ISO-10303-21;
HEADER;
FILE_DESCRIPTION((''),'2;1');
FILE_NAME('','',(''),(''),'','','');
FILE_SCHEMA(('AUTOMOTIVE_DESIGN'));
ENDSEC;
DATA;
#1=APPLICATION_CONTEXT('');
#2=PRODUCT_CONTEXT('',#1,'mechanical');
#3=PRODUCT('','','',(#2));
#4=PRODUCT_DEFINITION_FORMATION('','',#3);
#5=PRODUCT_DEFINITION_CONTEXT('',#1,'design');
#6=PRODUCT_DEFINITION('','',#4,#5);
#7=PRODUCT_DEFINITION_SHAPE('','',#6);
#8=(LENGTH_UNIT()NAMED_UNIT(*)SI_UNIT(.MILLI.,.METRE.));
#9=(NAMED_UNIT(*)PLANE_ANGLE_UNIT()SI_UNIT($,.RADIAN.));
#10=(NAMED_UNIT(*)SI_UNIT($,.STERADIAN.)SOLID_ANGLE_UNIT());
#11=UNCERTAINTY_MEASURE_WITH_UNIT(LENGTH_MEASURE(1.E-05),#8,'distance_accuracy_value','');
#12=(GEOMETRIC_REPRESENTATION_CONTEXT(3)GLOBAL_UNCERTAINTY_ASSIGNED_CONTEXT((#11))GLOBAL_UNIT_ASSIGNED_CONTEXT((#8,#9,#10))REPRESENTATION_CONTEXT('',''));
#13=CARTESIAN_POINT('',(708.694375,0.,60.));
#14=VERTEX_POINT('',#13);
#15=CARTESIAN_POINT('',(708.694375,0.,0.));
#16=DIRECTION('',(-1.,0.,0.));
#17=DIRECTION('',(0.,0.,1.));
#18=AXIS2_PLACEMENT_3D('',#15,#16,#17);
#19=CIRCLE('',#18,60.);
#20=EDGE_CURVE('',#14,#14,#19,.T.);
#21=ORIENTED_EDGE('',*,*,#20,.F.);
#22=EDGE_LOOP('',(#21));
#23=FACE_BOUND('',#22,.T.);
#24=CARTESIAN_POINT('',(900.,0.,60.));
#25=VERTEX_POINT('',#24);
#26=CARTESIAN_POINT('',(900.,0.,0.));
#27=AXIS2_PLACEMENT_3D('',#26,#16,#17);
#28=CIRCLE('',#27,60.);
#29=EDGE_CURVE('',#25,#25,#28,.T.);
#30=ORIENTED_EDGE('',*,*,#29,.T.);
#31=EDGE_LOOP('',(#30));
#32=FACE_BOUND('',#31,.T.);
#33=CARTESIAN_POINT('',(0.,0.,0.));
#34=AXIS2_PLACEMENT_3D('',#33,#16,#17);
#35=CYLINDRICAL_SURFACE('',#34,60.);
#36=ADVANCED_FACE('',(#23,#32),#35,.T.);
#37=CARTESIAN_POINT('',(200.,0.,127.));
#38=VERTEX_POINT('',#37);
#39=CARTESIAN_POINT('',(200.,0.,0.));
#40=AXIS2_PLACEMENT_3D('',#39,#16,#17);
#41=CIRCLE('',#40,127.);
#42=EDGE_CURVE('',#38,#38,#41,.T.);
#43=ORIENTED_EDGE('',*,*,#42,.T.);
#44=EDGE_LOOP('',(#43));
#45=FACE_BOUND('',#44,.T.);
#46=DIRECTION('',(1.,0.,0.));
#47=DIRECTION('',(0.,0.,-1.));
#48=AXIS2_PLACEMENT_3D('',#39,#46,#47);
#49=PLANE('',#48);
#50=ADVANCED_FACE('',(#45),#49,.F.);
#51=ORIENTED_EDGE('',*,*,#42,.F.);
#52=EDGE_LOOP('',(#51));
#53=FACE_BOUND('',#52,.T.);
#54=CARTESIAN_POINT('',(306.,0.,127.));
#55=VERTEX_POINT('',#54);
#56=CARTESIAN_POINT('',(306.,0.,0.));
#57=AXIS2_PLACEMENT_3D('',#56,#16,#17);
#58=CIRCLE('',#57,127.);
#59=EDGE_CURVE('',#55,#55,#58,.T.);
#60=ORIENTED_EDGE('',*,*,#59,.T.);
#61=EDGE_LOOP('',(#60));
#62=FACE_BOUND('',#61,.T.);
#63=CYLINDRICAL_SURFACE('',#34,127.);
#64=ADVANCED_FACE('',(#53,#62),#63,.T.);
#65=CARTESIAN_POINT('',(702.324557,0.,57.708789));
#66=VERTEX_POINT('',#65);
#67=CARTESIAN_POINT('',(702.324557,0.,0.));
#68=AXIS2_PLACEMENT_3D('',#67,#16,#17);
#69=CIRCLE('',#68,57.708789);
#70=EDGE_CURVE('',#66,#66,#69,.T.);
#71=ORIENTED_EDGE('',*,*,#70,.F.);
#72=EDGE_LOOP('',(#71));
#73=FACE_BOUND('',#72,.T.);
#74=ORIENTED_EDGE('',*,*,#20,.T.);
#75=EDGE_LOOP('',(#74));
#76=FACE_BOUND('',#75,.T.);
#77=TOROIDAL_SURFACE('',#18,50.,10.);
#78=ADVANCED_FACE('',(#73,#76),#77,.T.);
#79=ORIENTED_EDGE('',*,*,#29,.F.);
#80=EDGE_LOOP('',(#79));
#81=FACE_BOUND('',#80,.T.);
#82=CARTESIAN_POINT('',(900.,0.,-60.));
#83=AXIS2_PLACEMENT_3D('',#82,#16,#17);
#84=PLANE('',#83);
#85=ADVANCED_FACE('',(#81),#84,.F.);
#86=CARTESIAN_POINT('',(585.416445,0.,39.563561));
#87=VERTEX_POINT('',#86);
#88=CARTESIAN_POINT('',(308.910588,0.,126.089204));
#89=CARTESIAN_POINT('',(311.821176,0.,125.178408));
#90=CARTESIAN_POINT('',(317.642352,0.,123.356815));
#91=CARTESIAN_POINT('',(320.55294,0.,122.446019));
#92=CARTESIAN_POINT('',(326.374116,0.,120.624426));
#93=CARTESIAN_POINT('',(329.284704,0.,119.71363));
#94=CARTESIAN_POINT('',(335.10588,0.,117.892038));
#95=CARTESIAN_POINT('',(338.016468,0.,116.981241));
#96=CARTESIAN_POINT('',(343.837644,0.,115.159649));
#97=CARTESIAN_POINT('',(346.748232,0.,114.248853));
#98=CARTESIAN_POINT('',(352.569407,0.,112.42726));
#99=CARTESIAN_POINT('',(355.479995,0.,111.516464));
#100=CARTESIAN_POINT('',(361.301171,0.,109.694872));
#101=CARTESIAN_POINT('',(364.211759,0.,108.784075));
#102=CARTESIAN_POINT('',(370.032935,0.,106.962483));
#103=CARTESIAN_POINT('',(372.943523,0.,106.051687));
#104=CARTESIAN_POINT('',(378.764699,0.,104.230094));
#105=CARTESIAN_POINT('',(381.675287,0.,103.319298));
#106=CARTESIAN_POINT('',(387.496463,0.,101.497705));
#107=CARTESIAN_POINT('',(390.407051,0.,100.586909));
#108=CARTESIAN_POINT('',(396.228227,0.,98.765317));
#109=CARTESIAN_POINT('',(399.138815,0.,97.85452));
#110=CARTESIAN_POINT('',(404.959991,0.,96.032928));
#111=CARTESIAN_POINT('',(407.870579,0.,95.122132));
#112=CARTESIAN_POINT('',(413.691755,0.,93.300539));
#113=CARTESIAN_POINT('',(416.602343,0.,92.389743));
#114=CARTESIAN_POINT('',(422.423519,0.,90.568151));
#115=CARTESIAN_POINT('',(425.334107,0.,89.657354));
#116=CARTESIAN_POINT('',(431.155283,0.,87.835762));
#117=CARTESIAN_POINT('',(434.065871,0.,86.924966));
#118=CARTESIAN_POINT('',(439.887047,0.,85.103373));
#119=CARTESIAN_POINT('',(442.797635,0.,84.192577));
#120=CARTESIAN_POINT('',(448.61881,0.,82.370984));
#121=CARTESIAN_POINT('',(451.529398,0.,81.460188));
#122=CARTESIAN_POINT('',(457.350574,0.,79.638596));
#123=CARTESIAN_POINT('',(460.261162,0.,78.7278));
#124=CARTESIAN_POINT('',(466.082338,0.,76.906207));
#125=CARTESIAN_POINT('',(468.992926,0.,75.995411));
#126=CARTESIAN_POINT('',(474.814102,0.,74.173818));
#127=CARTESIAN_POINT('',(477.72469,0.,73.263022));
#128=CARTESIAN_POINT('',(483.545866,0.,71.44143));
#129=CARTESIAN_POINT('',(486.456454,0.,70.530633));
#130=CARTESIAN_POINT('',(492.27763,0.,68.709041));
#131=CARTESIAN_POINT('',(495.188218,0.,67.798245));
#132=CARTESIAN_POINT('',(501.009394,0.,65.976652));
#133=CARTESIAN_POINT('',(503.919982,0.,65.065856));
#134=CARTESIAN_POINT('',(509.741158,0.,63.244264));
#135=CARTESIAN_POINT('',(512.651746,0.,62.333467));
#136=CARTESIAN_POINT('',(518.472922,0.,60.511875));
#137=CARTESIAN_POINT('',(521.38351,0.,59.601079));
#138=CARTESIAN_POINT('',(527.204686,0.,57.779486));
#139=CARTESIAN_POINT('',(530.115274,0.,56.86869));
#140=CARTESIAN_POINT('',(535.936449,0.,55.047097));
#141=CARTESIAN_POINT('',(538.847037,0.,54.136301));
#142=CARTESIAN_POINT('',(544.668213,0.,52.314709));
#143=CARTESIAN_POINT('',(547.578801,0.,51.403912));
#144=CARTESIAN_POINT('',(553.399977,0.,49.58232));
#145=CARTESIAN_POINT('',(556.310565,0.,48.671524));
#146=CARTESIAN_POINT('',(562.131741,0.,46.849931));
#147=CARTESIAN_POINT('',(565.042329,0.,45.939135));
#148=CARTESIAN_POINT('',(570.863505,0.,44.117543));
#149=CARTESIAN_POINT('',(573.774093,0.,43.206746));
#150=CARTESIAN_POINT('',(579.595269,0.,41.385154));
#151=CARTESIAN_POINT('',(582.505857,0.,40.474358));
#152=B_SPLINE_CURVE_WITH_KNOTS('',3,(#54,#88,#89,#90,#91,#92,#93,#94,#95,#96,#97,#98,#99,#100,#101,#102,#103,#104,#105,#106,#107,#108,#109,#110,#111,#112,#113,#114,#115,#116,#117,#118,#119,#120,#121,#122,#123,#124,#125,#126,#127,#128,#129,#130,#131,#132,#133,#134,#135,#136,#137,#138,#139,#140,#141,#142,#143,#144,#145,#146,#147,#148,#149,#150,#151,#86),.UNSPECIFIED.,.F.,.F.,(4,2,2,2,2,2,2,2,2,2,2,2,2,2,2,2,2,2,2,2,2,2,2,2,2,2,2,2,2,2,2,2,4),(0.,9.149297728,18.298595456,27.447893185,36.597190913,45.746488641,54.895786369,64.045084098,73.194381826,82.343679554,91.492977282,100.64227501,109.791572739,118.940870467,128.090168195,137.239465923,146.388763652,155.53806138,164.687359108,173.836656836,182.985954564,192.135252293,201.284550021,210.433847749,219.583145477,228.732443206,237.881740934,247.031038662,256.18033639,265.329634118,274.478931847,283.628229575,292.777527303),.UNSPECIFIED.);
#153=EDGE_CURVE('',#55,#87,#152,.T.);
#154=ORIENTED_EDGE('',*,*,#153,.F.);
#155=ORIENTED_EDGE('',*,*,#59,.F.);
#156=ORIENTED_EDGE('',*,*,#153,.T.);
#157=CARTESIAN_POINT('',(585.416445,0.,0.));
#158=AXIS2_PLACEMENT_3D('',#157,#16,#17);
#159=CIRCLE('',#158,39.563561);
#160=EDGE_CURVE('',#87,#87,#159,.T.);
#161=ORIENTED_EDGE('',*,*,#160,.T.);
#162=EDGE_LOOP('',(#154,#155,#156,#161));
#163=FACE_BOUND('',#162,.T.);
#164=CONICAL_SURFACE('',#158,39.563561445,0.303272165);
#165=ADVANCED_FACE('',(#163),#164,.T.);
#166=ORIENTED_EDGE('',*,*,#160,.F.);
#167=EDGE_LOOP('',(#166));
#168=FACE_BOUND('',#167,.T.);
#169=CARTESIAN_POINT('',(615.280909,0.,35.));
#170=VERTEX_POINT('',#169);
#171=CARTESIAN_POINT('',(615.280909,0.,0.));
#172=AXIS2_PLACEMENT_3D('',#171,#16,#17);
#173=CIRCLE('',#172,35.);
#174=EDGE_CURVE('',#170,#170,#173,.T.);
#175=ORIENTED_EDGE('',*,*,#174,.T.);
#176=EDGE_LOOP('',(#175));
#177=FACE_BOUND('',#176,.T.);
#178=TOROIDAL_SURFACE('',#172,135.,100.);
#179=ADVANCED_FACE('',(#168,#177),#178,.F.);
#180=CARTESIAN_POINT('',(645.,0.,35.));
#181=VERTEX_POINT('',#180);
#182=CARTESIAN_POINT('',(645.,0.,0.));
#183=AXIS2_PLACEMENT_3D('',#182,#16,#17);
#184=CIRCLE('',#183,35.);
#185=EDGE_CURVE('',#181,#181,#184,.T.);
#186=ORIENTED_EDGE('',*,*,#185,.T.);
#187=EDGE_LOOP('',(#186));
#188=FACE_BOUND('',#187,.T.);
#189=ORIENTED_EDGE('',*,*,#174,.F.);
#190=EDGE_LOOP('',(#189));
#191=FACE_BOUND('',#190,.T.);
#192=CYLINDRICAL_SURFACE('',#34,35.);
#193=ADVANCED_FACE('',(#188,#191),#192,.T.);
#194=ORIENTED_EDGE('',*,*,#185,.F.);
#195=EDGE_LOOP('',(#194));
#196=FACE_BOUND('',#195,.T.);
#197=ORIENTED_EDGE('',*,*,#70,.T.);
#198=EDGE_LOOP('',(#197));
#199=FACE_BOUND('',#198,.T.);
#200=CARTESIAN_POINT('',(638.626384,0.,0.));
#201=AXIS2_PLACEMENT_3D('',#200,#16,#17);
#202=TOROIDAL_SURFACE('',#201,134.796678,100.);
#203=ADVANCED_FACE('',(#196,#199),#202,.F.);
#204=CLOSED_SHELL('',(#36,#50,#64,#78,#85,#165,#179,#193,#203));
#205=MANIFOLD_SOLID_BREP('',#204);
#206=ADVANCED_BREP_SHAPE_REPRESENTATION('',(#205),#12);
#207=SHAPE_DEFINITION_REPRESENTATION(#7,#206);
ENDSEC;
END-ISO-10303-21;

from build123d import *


with BuildPart() as part:
    # Sketch1 → Revolve1 (revolve)
    with BuildSketch(Plane(origin=(0, 0, 0), x_dir=(1, 0, 0), z_dir=(0, 1, 0)), mode=Mode.PRIVATE) as revolve1_sk:
        with BuildLine():
            Line((200, 0), (200, 127))
            Line((200, 127), (306, 127))
            Line((306, 127), (585.416444947, 39.563561445))
            ThreePointArc((585.416444947, 39.563561445), (600.17534443, 36.147473842), (615.280908712, 35))
            Line((615.280908712, 35), (645, 35))
            ThreePointArc((645, 35), (675.456211488, 41.825909834), (702.324557443, 57.708788945))
            ThreePointArc((702.324557443, 57.708788945), (705.309695294, 59.409779207), (708.694374787, 60))
            Line((708.694374787, 60), (900, 60))
            Line((900, 60), (900, 0))
            Line((900, 0), (200, 0))
        make_face()
    revolve(revolve1_sk.sketch.rotate(Axis((0, 0, 0), (1, 0, 0)), 180), axis=Axis((0, 0, 0), (1, 0, 0)))


solid = part.part
